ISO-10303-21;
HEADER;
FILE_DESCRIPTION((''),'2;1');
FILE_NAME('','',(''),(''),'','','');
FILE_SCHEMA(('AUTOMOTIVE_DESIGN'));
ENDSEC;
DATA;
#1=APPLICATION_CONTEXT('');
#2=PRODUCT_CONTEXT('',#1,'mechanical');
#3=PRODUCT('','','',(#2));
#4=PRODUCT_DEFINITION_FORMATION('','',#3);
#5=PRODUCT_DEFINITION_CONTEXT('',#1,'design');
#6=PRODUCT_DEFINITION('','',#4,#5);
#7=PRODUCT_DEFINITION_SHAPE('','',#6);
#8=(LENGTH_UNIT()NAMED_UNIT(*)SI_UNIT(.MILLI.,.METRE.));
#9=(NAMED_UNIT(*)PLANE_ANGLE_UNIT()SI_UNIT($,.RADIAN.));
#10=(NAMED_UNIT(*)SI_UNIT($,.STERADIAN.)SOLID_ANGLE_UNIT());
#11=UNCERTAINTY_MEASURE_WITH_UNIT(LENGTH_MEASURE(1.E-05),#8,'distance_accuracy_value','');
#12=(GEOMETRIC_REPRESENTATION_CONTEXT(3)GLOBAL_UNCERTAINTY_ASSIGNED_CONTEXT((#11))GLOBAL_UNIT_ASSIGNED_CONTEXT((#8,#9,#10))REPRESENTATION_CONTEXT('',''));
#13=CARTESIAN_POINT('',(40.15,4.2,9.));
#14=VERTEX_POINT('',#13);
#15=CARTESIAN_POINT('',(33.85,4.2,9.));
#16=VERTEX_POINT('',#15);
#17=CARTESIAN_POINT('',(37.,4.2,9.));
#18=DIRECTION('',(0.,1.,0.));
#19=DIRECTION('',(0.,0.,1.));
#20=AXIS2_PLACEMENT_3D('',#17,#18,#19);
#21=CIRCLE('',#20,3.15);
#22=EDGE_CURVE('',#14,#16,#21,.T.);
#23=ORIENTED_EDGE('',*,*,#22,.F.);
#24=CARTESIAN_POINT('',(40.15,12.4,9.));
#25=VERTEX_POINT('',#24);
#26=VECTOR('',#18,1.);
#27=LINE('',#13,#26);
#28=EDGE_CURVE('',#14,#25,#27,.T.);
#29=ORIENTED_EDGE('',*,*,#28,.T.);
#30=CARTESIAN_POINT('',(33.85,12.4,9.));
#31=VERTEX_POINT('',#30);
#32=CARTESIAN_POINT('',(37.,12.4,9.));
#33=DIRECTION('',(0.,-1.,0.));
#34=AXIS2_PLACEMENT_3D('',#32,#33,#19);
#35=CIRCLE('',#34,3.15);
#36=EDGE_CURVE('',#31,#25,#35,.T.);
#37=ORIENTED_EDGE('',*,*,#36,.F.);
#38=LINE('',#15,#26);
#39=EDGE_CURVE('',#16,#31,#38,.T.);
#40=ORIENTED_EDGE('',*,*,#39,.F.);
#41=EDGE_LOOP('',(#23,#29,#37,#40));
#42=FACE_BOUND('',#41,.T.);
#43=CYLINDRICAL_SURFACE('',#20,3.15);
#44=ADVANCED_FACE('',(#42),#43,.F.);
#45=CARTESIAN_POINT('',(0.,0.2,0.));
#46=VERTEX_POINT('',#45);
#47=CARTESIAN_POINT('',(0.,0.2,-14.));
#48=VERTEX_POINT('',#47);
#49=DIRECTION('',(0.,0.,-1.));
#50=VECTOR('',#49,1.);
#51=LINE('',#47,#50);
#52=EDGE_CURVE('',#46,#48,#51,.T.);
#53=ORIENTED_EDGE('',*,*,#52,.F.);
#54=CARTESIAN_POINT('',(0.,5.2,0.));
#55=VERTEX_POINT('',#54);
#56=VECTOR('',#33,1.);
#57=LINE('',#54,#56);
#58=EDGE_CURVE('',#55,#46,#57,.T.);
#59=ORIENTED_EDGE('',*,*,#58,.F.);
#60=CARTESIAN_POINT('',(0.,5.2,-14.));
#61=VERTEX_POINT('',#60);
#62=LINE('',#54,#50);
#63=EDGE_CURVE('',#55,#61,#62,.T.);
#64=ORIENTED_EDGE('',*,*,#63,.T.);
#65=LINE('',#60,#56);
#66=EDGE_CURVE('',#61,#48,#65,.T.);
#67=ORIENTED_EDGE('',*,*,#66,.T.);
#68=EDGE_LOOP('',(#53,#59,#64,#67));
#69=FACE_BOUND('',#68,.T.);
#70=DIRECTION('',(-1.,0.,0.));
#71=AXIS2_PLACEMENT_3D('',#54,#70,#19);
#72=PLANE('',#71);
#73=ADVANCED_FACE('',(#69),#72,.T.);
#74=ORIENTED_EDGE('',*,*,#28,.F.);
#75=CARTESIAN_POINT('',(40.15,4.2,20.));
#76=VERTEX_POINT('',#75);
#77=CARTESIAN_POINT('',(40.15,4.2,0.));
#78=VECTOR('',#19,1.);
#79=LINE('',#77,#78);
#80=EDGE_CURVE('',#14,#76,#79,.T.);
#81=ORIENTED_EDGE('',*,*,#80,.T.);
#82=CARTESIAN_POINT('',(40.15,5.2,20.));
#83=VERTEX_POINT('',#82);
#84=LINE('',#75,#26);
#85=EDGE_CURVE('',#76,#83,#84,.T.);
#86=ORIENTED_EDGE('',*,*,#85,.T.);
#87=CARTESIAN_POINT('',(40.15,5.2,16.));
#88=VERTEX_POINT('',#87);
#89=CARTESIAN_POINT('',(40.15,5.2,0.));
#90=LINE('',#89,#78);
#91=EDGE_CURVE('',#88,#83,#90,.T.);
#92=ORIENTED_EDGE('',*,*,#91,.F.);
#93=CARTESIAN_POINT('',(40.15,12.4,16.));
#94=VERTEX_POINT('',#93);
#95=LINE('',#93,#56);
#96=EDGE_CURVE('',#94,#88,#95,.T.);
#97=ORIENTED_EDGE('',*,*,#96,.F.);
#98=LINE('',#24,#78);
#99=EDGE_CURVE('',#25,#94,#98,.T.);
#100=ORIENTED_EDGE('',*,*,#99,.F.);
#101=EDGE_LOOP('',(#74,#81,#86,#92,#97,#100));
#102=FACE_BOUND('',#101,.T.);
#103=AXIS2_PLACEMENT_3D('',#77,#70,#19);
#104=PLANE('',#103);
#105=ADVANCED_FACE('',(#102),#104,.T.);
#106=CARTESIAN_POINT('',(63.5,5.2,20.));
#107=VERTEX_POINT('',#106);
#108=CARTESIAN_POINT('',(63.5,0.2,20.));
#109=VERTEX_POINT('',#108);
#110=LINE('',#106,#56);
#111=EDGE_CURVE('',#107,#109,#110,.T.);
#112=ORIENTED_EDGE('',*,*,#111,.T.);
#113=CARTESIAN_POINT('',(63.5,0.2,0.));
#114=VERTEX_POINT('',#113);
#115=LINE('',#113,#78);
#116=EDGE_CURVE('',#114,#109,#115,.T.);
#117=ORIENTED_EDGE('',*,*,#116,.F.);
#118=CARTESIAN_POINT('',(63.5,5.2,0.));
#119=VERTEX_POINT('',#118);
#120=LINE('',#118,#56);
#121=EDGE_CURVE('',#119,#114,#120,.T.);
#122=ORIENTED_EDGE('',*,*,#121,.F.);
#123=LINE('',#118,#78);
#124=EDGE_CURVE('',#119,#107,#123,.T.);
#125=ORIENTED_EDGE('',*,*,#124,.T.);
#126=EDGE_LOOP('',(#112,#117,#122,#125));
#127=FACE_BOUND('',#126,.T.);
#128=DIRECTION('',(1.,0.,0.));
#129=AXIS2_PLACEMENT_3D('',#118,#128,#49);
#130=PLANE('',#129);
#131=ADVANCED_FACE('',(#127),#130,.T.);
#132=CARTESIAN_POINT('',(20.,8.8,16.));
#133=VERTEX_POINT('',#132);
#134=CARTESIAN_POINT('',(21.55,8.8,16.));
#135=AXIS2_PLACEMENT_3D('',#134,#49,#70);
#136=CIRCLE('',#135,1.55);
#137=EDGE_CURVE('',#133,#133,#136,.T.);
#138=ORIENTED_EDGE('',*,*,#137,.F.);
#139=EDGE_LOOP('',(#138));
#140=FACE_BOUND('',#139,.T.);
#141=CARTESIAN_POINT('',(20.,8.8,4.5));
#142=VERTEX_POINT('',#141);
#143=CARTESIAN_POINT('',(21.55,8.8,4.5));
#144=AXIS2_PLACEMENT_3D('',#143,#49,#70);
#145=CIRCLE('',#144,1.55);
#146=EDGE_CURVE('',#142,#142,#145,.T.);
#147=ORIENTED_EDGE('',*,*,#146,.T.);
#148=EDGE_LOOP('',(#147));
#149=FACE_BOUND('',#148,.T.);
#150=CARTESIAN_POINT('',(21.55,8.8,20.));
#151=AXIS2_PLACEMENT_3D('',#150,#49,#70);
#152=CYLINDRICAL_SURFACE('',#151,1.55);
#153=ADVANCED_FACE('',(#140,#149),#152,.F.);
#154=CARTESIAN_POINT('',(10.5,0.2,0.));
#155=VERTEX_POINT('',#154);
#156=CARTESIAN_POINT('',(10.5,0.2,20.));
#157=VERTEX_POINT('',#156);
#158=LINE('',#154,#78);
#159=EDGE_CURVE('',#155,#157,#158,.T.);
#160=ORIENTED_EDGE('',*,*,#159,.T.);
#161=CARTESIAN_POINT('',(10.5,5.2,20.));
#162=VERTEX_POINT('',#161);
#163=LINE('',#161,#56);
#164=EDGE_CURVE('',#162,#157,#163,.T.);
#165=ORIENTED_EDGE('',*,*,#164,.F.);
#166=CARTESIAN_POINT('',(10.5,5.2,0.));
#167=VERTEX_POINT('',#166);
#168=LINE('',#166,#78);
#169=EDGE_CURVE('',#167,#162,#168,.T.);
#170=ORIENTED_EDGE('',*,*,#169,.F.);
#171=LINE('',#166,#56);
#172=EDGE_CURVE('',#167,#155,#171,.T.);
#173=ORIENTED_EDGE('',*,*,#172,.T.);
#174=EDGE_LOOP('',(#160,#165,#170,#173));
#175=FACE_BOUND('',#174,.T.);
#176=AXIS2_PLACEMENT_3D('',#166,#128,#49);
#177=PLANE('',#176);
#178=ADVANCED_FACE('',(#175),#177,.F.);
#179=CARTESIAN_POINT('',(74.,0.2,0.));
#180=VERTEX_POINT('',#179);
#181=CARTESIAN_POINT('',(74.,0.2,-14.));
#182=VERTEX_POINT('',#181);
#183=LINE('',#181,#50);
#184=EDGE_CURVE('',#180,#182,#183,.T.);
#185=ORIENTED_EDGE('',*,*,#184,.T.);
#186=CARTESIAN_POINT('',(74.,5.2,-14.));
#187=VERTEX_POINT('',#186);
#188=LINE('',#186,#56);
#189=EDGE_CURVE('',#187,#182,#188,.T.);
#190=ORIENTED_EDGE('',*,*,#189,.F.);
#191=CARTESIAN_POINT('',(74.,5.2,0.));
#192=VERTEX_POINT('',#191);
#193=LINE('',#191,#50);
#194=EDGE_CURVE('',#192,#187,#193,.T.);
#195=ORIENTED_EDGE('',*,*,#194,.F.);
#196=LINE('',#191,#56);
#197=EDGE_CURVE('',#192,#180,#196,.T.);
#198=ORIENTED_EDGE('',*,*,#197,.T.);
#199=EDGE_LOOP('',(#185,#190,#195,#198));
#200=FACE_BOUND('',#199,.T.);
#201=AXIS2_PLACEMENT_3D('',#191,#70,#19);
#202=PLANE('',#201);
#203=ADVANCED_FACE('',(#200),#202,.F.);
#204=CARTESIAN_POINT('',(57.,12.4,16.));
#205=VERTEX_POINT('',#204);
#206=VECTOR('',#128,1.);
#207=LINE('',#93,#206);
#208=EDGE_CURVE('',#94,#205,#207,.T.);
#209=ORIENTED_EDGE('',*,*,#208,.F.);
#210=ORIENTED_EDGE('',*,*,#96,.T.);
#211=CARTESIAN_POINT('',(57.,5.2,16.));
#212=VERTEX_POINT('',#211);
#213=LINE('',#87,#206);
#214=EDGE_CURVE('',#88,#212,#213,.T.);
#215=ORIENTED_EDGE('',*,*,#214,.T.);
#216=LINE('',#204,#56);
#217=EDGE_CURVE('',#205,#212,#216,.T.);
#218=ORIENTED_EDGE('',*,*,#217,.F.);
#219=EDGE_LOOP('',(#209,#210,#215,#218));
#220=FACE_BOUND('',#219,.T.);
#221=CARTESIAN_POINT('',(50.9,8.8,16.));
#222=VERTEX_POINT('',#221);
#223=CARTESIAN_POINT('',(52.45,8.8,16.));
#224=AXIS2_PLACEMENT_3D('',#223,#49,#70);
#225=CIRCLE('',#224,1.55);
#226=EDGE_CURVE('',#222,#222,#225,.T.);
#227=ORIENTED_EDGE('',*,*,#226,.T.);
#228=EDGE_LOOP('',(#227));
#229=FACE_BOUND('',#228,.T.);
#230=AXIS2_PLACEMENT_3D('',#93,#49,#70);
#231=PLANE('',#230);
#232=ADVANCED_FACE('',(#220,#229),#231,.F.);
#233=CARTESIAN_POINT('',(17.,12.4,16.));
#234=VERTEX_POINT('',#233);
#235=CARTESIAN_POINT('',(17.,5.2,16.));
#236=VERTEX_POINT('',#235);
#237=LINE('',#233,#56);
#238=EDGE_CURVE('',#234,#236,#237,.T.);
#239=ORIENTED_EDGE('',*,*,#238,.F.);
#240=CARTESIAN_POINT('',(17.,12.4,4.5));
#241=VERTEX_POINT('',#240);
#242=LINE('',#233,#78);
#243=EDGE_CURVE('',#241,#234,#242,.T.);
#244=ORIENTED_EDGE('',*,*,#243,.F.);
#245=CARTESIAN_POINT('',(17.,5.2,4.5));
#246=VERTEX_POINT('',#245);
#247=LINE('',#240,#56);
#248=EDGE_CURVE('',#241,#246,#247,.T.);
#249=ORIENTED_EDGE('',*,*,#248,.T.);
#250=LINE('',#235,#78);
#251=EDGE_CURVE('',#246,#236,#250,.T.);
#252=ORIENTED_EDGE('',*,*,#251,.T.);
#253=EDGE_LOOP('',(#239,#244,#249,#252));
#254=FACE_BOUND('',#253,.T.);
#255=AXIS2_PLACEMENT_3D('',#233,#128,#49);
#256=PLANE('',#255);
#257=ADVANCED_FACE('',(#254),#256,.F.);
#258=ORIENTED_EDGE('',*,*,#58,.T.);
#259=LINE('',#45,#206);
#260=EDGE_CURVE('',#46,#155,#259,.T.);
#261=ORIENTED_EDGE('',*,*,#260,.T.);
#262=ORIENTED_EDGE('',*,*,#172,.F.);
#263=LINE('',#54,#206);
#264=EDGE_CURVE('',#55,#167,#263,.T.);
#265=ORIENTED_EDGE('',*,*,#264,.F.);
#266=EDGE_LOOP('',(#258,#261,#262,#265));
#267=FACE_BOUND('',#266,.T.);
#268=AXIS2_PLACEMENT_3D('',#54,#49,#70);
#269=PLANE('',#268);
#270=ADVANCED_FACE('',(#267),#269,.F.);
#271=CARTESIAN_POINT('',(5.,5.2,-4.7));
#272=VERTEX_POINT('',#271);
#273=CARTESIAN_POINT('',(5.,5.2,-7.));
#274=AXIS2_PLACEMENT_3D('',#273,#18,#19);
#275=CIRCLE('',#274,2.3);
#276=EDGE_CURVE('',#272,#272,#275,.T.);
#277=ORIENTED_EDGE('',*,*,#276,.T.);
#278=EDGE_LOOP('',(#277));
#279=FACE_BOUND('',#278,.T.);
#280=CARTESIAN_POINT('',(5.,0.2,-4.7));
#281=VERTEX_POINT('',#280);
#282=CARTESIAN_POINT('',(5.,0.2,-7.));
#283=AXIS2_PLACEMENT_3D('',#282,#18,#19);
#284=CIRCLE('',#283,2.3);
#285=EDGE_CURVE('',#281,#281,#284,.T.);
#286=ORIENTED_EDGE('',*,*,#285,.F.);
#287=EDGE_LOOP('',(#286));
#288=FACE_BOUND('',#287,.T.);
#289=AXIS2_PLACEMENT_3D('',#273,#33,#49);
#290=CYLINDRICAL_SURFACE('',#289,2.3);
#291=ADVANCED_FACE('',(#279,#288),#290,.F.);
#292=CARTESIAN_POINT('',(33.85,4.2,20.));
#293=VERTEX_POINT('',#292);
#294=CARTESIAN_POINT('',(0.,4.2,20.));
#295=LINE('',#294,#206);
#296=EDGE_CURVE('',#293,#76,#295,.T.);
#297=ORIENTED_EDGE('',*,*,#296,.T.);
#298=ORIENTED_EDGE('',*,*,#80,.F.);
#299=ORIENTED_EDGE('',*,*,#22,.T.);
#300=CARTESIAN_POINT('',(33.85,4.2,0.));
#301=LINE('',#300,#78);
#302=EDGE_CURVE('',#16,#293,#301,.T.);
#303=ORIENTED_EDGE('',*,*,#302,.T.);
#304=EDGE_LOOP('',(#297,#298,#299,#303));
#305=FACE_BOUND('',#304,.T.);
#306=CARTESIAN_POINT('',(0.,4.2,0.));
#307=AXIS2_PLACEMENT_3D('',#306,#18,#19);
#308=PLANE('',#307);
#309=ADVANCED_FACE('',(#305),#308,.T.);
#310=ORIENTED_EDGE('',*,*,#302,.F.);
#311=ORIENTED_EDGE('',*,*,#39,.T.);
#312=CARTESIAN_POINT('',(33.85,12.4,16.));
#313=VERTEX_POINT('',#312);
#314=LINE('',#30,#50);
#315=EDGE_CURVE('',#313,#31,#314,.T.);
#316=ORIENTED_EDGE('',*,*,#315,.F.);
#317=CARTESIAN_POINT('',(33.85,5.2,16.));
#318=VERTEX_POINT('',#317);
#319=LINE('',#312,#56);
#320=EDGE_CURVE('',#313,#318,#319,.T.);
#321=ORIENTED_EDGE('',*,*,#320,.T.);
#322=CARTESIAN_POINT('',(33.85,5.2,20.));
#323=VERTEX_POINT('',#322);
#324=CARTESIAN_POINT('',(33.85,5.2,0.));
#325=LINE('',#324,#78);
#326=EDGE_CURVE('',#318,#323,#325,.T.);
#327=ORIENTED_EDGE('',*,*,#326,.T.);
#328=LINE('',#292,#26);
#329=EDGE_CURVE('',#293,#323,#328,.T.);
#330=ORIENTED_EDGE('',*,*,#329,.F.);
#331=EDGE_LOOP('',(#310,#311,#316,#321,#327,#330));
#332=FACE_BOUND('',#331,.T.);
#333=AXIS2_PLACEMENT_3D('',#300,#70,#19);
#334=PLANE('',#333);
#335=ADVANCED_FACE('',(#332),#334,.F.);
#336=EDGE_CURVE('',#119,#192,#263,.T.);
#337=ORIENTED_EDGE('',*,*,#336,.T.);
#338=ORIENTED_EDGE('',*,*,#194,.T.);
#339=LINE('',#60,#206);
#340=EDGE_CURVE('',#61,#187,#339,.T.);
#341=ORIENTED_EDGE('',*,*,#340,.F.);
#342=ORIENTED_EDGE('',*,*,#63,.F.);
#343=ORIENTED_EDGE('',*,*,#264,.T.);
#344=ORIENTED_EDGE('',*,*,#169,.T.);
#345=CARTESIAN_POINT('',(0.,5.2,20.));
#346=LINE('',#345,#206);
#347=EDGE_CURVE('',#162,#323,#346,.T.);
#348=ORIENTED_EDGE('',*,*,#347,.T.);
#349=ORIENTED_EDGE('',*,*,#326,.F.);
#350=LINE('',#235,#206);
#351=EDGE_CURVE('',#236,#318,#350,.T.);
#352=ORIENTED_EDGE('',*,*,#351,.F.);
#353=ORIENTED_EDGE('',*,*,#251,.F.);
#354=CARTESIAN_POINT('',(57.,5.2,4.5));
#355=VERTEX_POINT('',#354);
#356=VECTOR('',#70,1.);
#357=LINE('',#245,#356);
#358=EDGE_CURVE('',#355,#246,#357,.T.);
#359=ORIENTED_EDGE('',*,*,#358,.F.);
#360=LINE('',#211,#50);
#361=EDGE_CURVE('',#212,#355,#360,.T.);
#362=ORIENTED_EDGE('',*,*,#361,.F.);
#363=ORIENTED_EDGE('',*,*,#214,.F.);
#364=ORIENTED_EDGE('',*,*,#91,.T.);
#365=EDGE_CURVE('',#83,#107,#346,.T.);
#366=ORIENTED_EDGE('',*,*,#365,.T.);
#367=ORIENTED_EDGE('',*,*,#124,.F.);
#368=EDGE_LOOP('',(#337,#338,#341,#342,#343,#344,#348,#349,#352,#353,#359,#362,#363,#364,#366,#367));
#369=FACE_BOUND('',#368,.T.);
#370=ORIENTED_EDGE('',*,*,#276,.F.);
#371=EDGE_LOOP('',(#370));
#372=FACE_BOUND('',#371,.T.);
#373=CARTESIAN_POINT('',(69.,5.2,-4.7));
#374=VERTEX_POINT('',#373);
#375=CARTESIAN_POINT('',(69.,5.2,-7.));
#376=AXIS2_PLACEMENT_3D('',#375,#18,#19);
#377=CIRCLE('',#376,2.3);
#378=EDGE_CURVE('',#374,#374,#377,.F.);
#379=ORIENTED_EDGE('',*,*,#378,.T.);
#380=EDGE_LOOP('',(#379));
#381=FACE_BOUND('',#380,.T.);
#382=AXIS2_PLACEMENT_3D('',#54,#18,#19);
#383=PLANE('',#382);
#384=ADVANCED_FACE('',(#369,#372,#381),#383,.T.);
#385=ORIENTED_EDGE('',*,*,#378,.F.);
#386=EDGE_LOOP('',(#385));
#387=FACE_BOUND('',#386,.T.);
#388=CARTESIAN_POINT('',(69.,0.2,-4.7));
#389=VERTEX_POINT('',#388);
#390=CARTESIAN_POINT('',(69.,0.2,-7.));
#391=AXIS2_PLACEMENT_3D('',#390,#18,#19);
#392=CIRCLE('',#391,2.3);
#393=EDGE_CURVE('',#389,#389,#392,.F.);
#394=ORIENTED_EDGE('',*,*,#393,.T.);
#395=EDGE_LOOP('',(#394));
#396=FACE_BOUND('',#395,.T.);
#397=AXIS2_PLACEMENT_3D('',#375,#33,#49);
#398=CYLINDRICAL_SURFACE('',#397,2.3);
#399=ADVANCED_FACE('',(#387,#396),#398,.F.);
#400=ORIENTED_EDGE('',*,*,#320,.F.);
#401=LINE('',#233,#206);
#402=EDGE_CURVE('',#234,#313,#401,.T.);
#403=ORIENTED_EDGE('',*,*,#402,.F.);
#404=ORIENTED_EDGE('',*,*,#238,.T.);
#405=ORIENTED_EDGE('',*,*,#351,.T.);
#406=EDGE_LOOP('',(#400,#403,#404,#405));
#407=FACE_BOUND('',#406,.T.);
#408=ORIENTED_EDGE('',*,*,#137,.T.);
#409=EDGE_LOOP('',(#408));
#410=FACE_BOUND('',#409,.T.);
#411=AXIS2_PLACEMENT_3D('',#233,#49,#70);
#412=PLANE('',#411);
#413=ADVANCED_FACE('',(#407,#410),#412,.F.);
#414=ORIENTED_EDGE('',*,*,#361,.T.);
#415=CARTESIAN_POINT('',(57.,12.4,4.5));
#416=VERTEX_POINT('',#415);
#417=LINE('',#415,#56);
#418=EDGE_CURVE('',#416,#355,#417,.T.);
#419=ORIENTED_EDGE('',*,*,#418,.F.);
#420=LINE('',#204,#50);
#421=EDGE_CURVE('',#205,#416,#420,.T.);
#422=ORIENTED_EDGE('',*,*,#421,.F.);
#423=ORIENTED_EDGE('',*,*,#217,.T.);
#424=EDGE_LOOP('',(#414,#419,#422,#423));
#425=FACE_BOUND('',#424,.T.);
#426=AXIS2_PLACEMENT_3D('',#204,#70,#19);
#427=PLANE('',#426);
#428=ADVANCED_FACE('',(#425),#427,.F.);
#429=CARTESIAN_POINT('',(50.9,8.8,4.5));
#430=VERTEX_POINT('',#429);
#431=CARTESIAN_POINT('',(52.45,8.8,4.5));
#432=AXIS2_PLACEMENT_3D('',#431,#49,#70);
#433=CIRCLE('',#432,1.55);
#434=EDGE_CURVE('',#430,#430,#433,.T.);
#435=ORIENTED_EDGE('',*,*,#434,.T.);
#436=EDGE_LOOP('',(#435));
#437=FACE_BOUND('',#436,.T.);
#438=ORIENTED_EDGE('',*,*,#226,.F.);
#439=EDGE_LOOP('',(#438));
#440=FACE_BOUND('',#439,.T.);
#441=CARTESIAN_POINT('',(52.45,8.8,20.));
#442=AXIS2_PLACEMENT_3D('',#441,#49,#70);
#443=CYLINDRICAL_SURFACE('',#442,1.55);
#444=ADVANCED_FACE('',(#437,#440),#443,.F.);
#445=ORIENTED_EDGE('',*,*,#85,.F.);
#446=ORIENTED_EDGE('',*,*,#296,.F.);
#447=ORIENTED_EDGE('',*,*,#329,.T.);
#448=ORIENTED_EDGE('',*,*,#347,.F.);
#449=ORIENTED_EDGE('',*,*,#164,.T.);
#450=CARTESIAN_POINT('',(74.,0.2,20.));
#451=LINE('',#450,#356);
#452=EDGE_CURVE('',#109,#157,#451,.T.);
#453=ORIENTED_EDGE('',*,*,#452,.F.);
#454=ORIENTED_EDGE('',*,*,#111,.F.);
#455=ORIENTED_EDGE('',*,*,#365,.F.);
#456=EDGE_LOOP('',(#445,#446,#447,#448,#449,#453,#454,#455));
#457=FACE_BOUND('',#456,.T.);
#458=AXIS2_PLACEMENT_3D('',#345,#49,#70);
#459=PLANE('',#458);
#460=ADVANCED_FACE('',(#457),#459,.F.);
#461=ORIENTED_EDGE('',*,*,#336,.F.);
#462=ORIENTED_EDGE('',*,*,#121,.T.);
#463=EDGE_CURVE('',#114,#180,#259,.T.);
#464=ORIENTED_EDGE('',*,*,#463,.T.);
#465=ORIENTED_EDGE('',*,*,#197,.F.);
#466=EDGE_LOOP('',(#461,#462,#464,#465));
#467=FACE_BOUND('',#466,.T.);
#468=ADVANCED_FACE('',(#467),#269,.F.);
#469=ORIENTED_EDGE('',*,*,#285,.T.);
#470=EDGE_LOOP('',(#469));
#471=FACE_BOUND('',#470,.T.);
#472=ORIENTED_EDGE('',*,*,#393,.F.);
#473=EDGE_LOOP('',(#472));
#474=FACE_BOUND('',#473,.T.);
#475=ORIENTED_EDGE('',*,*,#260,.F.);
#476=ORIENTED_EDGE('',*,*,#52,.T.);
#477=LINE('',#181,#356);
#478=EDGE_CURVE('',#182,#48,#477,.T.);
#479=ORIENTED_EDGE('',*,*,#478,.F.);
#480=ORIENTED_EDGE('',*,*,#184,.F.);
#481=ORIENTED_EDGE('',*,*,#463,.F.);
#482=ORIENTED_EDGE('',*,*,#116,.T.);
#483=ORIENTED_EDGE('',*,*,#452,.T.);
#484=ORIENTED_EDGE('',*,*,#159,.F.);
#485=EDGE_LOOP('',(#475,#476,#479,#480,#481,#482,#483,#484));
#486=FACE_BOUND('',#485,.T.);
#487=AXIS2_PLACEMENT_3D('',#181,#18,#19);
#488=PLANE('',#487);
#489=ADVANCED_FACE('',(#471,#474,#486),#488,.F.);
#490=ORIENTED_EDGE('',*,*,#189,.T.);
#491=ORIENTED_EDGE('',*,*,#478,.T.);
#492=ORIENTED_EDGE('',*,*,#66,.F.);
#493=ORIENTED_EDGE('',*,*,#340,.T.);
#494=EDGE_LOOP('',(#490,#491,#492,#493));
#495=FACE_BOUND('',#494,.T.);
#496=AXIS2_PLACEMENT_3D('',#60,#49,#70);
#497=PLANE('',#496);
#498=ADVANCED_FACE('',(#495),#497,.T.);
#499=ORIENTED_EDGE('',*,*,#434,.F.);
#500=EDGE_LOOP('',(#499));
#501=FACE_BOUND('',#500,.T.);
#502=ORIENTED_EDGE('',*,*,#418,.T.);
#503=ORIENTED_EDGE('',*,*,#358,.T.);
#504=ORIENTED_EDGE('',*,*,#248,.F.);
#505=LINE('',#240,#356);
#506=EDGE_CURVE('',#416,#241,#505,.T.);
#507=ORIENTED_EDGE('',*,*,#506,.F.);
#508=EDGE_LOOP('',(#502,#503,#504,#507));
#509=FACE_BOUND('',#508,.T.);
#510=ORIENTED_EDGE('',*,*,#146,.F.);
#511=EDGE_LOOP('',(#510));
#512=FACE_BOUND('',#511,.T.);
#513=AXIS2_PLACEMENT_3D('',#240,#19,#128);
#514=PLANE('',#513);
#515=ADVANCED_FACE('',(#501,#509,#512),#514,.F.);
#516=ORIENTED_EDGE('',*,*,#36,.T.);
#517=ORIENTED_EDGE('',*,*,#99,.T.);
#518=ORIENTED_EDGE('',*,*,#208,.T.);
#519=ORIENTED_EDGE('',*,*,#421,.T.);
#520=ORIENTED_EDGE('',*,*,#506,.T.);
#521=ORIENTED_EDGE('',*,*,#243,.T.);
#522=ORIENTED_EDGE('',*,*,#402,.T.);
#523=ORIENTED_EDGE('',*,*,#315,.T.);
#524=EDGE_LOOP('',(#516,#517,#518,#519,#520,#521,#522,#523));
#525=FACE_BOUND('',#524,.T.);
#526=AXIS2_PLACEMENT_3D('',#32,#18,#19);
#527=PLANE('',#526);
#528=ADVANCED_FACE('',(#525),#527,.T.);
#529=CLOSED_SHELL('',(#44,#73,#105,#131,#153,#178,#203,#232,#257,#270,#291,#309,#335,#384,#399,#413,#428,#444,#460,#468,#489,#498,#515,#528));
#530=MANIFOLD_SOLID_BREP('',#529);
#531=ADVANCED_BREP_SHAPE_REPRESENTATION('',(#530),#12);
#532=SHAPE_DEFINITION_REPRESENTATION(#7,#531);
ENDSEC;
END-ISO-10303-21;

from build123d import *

# Parameters (mm, degrees)
SKETCH1_W           = 74
SKETCH1_H           = 14
SKETCH1_R           = 2.3
SKETCH1_W_2         = 53
SKETCH1_H_2         = 20
BOSS_EXTRUDE1_DEPTH = 5.2
CUT_EXTRUDE1_DEPTH  = 1
BOSS_EXTRUDE2_START = 7.2
BOSS_EXTRUDE2_DEPTH = 7.2
SKETCH5_R           = 1.55
CUT_EXTRUDE2_DEPTH  = 78.278781046
SKETCH6_W           = 34
SKETCH6_H           = 0.2
CUT_EXTRUDE3_DEPTH  = 78.651529283


with BuildPart() as part:
    # Sketch1 → Boss-Extrude1 (new body)
    # profile 1 of 2: a face of its own
    with BuildSketch(Plane(origin=(0, 0, 0), x_dir=(1, 0, 0), z_dir=(0, 1, 0))):
        with Locations((37, 7)):
            Rectangle(SKETCH1_W, SKETCH1_H)
        with Locations(Location((5, 7, 0), (0, 0, 270))):
            Circle(SKETCH1_R, mode=Mode.SUBTRACT)
        with Locations(Location((69, 7, 0), (0, 0, 270))):
            Circle(SKETCH1_R, mode=Mode.SUBTRACT)
    # profile 2 of 2: a face of its own
    with BuildSketch(Plane(origin=(0, 0, 0), x_dir=(1, 0, 0), z_dir=(0, 1, 0))):
        with Locations((37, -10)):
            Rectangle(SKETCH1_W_2, SKETCH1_H_2)
    extrude(amount=BOSS_EXTRUDE1_DEPTH)

    # Sketch2 → Cut-Extrude1 (cut)
    with BuildSketch(Plane(origin=(0, 5.2, 0), x_dir=(1, 0, 0), z_dir=(0, 1, 0))):
        with BuildLine():
            ThreePointArc((37, -5.85), (34.772613639, -6.772613639), (33.85, -9))
            Line((33.85, -9), (33.85, -20))
            Line((33.85, -20), (40.15, -20))
            Line((40.15, -20), (40.15, -9))
            ThreePointArc((40.15, -9), (39.227386361, -6.772613639), (37, -5.85))
        make_face()
    extrude(amount=-CUT_EXTRUDE1_DEPTH, mode=Mode.SUBTRACT)

    # Sketch3 → Boss-Extrude2 (add)
    with BuildSketch(Plane(origin=(0, 5.2, 0), x_dir=(1, 0, 0), z_dir=(0, 1, 0)).offset(BOSS_EXTRUDE2_START)):
        with BuildLine():
            Line((33.85, -9), (33.85, -16))
            Line((33.85, -16), (17, -16))
            Line((17, -16), (17, -4.5))
            Line((17, -4.5), (57, -4.5))
            Line((57, -4.5), (57, -16))
            Line((57, -16), (40.15, -16))
            Line((40.15, -16), (40.15, -9))
            ThreePointArc((40.15, -9), (37, -5.85), (33.85, -9))
        make_face()
    extrude(amount=-BOSS_EXTRUDE2_DEPTH)

    # Sketch5 → Cut-Extrude2 (cut, through all)
    with BuildSketch(Plane(origin=(0, 0, 4.5), x_dir=(-1, 0, 0), z_dir=(0, 0, -1))):
        with Locations((-52.45, 8.8)):
            Circle(SKETCH5_R)
        with Locations((-21.55, 8.8)):
            Circle(SKETCH5_R)
    extrude(amount=-CUT_EXTRUDE2_DEPTH, mode=Mode.SUBTRACT)

    # Sketch6 → Cut-Extrude3 (cut, through all)
    with BuildSketch(Plane.ZY):
        with Locations((3, 0.1)):
            Rectangle(SKETCH6_W, SKETCH6_H)
    extrude(amount=-CUT_EXTRUDE3_DEPTH, mode=Mode.SUBTRACT)


solid = part.part
